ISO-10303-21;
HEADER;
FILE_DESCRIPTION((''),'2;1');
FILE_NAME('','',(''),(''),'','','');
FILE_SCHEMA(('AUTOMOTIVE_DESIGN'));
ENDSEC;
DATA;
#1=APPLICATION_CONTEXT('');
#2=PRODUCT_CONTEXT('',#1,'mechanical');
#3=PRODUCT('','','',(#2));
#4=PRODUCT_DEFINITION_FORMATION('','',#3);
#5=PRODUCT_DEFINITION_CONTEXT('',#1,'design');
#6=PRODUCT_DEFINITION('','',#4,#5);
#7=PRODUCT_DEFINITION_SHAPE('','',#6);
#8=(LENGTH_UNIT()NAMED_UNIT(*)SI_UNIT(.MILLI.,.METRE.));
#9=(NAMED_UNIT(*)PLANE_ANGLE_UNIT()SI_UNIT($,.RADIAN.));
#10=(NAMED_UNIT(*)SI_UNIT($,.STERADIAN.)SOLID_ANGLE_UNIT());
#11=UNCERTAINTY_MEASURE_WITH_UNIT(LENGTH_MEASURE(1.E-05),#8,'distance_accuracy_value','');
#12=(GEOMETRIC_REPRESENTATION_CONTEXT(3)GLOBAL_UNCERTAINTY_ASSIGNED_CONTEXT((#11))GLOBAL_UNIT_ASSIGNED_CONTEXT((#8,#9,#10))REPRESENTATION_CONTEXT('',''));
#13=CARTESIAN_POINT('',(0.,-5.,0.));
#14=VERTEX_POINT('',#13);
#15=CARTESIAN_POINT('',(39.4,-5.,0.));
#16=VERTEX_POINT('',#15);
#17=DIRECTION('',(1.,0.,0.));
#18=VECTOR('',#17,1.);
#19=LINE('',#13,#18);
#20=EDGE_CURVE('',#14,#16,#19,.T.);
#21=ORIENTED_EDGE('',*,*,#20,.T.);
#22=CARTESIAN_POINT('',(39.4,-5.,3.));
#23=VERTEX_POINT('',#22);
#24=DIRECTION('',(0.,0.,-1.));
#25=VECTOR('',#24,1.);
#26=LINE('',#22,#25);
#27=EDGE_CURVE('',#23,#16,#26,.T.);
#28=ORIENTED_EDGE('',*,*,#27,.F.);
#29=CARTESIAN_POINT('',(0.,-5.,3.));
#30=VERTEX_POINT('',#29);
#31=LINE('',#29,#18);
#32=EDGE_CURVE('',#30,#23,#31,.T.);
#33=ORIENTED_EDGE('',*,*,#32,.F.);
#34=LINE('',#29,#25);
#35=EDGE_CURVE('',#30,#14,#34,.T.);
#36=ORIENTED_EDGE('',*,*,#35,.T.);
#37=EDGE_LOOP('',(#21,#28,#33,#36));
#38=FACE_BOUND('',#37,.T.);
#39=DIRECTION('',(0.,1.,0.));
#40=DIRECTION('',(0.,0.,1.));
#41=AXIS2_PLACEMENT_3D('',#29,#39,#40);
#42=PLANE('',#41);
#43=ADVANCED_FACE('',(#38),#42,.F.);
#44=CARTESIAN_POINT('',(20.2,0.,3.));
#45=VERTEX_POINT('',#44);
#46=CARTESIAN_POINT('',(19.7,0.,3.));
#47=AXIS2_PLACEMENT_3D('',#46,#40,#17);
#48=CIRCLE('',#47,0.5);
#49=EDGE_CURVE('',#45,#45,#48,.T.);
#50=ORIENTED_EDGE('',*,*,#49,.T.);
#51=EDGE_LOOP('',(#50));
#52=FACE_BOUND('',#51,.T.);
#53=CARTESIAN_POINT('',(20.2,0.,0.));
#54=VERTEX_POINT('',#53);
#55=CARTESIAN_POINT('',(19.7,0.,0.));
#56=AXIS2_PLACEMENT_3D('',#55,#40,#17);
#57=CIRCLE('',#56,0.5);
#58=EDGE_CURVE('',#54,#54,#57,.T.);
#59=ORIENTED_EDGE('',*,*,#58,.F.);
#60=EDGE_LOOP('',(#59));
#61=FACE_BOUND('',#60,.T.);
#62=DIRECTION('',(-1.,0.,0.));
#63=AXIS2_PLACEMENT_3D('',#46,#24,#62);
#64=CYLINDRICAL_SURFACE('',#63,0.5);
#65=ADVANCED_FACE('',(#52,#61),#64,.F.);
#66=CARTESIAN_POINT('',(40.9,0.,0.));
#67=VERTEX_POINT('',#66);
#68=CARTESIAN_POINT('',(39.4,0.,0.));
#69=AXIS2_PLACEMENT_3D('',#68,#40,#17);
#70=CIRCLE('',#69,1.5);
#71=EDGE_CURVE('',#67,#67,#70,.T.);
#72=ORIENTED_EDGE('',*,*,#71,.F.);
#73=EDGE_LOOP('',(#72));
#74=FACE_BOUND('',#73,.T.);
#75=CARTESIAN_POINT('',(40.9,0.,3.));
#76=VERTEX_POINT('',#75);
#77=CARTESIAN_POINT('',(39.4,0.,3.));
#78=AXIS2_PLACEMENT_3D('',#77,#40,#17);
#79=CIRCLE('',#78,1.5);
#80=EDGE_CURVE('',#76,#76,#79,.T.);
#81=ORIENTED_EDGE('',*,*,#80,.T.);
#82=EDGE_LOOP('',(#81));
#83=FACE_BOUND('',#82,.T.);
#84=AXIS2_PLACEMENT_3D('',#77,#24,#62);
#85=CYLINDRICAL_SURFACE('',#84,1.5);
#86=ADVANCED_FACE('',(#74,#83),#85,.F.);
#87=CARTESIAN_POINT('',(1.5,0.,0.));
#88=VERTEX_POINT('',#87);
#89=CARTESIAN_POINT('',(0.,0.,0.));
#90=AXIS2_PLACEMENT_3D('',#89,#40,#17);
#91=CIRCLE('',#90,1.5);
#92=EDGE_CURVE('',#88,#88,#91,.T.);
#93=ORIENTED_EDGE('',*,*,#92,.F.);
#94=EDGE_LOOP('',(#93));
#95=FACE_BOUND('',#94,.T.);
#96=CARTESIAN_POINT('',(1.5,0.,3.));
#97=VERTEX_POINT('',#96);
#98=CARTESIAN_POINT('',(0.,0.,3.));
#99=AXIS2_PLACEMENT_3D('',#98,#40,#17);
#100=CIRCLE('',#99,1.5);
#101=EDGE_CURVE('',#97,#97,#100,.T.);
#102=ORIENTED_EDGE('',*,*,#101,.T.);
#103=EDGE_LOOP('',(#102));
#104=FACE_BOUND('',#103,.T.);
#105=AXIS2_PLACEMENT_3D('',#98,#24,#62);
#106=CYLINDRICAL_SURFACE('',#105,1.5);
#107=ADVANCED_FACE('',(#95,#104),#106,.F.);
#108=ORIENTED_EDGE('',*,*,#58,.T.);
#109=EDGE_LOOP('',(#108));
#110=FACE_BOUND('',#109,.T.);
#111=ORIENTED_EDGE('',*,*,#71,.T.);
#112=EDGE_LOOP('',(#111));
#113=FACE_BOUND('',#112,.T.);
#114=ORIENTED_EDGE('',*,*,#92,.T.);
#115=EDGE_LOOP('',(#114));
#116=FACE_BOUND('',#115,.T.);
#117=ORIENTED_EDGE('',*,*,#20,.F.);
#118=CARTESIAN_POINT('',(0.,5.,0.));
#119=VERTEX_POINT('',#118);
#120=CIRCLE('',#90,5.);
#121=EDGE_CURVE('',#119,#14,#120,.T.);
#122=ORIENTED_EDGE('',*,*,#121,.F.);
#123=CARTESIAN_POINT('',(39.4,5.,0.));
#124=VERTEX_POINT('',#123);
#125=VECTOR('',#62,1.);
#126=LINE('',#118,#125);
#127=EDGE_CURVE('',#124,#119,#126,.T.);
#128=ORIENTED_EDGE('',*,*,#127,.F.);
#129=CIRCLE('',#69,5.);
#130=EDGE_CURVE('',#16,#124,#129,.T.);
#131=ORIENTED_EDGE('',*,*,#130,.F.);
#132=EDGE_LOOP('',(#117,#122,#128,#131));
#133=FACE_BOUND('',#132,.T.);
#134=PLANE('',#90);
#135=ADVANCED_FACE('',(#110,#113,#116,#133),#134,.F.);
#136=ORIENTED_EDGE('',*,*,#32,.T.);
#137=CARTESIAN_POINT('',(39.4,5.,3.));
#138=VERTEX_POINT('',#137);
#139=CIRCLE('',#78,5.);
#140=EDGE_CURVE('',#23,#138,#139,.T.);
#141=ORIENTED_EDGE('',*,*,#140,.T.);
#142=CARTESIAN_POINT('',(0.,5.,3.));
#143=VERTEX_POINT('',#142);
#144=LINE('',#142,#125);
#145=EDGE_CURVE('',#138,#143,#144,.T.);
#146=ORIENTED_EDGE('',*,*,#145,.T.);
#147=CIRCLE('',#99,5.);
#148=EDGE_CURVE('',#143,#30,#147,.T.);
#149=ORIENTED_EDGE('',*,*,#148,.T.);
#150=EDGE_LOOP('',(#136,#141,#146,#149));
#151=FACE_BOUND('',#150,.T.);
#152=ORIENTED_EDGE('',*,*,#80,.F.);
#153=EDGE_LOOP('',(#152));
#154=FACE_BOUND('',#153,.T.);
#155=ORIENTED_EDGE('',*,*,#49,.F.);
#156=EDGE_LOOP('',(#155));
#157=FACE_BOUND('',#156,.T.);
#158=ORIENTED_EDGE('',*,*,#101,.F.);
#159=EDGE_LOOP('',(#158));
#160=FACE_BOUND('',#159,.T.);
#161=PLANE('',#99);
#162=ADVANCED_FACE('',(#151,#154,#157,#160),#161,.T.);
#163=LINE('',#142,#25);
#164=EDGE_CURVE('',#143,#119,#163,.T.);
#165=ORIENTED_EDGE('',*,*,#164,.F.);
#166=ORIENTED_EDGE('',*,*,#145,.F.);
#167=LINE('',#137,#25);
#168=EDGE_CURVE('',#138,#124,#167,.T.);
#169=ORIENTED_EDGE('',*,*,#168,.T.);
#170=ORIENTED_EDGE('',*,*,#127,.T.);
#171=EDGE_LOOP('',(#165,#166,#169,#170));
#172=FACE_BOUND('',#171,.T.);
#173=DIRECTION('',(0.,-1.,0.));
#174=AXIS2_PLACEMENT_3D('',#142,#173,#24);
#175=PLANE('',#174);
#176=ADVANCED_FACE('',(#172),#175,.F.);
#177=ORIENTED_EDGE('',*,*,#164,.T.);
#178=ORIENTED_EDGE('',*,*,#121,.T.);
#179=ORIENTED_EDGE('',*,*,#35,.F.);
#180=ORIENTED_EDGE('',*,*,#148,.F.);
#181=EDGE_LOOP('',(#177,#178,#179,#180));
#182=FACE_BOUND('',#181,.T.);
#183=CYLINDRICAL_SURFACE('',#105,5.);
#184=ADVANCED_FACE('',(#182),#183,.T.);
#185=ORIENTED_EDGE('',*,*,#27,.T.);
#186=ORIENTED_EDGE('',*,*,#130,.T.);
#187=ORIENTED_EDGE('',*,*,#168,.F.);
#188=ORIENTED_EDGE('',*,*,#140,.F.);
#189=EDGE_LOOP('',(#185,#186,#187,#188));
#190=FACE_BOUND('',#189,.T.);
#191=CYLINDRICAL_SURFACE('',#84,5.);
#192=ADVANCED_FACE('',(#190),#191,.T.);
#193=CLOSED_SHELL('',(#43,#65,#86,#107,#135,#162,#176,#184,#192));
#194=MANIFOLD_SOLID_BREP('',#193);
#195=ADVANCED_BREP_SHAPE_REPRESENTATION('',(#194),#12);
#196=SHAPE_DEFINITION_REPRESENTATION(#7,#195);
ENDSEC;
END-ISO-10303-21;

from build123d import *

# Parameters (mm, degrees)
SKETCH1_R           = 1.5
SKETCH1_R_2         = 0.5
BOSS_EXTRUDE1_DEPTH = 3


with BuildPart() as part:
    # Sketch1 → Boss-Extrude1 (new body)
    with BuildSketch(Plane.XY):
        with BuildLine():
            Line((0, 5), (39.4, 5))
            ThreePointArc((39.4, 5), (44.4, 0), (39.4, -5))
            Line((39.4, -5), (0, -5))
            ThreePointArc((0, -5), (-5, 0), (0, 5))
        make_face()
        Circle(SKETCH1_R, mode=Mode.SUBTRACT)
        with Locations((39.4, 0)):
            Circle(SKETCH1_R, mode=Mode.SUBTRACT)
        with Locations((19.7, 0)):
            Circle(SKETCH1_R_2, mode=Mode.SUBTRACT)
    extrude(amount=BOSS_EXTRUDE1_DEPTH)


solid = part.part
